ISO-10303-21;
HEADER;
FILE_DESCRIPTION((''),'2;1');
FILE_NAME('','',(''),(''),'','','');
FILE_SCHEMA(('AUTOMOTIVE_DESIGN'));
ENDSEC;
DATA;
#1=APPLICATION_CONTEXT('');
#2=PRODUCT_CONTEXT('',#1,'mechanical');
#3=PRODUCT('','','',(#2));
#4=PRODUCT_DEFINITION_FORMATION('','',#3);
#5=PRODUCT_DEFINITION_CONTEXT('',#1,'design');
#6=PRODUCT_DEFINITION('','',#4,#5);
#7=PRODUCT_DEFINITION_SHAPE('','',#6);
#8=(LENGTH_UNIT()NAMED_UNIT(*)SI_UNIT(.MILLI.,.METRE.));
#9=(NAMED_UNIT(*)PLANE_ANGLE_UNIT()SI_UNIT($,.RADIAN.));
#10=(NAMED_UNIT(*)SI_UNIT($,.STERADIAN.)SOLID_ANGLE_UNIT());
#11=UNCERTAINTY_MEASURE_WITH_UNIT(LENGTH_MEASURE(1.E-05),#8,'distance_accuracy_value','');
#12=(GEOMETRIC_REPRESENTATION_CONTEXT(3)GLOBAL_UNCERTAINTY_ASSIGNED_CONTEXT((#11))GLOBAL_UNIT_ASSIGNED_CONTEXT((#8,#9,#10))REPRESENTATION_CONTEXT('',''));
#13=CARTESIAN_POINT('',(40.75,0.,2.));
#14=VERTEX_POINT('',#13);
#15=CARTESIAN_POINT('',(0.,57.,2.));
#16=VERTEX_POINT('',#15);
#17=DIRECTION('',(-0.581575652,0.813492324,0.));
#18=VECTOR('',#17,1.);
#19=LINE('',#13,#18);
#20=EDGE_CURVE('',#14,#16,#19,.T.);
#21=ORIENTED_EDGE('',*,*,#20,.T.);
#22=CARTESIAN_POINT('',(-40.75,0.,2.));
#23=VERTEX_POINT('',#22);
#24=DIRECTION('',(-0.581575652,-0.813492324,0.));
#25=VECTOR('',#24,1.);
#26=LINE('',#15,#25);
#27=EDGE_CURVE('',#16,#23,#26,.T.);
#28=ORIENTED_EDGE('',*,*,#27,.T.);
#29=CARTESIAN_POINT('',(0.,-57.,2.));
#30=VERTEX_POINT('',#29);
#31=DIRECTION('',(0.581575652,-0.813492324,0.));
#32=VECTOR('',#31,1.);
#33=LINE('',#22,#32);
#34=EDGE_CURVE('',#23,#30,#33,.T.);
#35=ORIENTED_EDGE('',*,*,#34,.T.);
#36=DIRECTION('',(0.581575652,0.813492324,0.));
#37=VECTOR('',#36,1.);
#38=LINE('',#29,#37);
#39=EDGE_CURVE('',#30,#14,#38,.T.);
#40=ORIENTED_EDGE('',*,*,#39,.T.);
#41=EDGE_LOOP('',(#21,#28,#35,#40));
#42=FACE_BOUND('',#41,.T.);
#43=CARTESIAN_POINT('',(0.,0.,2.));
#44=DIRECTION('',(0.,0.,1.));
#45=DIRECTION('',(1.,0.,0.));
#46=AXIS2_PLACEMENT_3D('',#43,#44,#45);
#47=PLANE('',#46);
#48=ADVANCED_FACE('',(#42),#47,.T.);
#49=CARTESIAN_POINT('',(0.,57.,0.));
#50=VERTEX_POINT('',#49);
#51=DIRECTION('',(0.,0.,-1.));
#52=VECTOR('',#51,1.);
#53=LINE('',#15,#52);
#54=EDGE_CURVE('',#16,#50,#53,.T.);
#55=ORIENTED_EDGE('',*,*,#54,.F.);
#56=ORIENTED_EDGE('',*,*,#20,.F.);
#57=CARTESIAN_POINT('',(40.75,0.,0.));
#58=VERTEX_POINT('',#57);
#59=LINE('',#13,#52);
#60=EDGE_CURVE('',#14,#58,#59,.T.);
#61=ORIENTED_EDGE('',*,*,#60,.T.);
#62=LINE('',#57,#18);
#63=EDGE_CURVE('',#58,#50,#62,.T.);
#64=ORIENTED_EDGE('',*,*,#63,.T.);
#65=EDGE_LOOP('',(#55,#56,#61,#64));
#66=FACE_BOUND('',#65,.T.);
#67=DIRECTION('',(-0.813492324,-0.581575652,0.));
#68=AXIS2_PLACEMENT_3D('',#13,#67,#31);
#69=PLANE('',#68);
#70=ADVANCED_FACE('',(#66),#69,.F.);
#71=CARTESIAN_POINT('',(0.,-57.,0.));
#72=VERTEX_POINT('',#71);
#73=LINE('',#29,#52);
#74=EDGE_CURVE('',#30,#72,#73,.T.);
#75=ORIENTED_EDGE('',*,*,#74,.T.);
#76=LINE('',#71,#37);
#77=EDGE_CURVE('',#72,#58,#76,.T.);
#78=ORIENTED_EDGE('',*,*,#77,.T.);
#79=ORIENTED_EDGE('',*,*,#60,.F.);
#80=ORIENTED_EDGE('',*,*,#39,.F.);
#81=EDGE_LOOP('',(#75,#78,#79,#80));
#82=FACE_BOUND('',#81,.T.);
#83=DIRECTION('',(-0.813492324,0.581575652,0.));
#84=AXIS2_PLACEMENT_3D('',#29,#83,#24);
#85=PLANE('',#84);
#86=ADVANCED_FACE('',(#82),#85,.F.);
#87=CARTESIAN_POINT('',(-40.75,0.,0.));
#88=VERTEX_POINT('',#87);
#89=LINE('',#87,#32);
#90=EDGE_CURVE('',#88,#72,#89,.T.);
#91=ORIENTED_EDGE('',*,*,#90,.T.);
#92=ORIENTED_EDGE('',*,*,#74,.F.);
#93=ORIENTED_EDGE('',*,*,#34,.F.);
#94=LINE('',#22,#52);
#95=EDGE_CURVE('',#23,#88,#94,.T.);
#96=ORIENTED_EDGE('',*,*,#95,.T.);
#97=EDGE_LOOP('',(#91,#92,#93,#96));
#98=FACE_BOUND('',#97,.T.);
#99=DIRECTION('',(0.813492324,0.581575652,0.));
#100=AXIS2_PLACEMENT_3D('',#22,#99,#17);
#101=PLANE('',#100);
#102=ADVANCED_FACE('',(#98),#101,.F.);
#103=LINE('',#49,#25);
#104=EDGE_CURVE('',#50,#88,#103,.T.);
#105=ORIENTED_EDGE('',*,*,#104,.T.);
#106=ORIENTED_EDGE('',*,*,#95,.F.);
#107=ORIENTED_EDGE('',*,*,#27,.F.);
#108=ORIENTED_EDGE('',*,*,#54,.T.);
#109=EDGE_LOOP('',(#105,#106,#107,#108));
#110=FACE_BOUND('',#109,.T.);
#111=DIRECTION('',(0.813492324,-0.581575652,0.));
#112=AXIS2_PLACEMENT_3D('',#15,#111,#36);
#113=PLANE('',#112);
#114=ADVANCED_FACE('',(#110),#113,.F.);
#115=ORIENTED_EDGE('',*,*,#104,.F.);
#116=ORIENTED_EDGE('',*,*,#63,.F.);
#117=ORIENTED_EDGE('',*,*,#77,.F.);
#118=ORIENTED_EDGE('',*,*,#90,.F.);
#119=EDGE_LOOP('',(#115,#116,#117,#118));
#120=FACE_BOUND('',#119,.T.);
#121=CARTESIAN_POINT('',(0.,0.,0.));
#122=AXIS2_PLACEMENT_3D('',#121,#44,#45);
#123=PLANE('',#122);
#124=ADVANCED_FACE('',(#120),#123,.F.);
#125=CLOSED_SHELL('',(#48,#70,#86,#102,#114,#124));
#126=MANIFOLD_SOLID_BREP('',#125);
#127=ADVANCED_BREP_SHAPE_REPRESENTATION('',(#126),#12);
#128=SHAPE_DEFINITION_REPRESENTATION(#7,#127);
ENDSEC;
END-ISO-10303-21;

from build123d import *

# Parameters (mm, degrees)
BOSS_EXTRUDE1_DEPTH = 2


with BuildPart() as part:
    # Sketch1 → Boss-Extrude1 (new body)
    with BuildSketch(Plane.XY):
        Polygon((0, 57), (-40.75, 0), (0, -57), (40.75, 0), align=None)
    extrude(amount=BOSS_EXTRUDE1_DEPTH)


solid = part.part
